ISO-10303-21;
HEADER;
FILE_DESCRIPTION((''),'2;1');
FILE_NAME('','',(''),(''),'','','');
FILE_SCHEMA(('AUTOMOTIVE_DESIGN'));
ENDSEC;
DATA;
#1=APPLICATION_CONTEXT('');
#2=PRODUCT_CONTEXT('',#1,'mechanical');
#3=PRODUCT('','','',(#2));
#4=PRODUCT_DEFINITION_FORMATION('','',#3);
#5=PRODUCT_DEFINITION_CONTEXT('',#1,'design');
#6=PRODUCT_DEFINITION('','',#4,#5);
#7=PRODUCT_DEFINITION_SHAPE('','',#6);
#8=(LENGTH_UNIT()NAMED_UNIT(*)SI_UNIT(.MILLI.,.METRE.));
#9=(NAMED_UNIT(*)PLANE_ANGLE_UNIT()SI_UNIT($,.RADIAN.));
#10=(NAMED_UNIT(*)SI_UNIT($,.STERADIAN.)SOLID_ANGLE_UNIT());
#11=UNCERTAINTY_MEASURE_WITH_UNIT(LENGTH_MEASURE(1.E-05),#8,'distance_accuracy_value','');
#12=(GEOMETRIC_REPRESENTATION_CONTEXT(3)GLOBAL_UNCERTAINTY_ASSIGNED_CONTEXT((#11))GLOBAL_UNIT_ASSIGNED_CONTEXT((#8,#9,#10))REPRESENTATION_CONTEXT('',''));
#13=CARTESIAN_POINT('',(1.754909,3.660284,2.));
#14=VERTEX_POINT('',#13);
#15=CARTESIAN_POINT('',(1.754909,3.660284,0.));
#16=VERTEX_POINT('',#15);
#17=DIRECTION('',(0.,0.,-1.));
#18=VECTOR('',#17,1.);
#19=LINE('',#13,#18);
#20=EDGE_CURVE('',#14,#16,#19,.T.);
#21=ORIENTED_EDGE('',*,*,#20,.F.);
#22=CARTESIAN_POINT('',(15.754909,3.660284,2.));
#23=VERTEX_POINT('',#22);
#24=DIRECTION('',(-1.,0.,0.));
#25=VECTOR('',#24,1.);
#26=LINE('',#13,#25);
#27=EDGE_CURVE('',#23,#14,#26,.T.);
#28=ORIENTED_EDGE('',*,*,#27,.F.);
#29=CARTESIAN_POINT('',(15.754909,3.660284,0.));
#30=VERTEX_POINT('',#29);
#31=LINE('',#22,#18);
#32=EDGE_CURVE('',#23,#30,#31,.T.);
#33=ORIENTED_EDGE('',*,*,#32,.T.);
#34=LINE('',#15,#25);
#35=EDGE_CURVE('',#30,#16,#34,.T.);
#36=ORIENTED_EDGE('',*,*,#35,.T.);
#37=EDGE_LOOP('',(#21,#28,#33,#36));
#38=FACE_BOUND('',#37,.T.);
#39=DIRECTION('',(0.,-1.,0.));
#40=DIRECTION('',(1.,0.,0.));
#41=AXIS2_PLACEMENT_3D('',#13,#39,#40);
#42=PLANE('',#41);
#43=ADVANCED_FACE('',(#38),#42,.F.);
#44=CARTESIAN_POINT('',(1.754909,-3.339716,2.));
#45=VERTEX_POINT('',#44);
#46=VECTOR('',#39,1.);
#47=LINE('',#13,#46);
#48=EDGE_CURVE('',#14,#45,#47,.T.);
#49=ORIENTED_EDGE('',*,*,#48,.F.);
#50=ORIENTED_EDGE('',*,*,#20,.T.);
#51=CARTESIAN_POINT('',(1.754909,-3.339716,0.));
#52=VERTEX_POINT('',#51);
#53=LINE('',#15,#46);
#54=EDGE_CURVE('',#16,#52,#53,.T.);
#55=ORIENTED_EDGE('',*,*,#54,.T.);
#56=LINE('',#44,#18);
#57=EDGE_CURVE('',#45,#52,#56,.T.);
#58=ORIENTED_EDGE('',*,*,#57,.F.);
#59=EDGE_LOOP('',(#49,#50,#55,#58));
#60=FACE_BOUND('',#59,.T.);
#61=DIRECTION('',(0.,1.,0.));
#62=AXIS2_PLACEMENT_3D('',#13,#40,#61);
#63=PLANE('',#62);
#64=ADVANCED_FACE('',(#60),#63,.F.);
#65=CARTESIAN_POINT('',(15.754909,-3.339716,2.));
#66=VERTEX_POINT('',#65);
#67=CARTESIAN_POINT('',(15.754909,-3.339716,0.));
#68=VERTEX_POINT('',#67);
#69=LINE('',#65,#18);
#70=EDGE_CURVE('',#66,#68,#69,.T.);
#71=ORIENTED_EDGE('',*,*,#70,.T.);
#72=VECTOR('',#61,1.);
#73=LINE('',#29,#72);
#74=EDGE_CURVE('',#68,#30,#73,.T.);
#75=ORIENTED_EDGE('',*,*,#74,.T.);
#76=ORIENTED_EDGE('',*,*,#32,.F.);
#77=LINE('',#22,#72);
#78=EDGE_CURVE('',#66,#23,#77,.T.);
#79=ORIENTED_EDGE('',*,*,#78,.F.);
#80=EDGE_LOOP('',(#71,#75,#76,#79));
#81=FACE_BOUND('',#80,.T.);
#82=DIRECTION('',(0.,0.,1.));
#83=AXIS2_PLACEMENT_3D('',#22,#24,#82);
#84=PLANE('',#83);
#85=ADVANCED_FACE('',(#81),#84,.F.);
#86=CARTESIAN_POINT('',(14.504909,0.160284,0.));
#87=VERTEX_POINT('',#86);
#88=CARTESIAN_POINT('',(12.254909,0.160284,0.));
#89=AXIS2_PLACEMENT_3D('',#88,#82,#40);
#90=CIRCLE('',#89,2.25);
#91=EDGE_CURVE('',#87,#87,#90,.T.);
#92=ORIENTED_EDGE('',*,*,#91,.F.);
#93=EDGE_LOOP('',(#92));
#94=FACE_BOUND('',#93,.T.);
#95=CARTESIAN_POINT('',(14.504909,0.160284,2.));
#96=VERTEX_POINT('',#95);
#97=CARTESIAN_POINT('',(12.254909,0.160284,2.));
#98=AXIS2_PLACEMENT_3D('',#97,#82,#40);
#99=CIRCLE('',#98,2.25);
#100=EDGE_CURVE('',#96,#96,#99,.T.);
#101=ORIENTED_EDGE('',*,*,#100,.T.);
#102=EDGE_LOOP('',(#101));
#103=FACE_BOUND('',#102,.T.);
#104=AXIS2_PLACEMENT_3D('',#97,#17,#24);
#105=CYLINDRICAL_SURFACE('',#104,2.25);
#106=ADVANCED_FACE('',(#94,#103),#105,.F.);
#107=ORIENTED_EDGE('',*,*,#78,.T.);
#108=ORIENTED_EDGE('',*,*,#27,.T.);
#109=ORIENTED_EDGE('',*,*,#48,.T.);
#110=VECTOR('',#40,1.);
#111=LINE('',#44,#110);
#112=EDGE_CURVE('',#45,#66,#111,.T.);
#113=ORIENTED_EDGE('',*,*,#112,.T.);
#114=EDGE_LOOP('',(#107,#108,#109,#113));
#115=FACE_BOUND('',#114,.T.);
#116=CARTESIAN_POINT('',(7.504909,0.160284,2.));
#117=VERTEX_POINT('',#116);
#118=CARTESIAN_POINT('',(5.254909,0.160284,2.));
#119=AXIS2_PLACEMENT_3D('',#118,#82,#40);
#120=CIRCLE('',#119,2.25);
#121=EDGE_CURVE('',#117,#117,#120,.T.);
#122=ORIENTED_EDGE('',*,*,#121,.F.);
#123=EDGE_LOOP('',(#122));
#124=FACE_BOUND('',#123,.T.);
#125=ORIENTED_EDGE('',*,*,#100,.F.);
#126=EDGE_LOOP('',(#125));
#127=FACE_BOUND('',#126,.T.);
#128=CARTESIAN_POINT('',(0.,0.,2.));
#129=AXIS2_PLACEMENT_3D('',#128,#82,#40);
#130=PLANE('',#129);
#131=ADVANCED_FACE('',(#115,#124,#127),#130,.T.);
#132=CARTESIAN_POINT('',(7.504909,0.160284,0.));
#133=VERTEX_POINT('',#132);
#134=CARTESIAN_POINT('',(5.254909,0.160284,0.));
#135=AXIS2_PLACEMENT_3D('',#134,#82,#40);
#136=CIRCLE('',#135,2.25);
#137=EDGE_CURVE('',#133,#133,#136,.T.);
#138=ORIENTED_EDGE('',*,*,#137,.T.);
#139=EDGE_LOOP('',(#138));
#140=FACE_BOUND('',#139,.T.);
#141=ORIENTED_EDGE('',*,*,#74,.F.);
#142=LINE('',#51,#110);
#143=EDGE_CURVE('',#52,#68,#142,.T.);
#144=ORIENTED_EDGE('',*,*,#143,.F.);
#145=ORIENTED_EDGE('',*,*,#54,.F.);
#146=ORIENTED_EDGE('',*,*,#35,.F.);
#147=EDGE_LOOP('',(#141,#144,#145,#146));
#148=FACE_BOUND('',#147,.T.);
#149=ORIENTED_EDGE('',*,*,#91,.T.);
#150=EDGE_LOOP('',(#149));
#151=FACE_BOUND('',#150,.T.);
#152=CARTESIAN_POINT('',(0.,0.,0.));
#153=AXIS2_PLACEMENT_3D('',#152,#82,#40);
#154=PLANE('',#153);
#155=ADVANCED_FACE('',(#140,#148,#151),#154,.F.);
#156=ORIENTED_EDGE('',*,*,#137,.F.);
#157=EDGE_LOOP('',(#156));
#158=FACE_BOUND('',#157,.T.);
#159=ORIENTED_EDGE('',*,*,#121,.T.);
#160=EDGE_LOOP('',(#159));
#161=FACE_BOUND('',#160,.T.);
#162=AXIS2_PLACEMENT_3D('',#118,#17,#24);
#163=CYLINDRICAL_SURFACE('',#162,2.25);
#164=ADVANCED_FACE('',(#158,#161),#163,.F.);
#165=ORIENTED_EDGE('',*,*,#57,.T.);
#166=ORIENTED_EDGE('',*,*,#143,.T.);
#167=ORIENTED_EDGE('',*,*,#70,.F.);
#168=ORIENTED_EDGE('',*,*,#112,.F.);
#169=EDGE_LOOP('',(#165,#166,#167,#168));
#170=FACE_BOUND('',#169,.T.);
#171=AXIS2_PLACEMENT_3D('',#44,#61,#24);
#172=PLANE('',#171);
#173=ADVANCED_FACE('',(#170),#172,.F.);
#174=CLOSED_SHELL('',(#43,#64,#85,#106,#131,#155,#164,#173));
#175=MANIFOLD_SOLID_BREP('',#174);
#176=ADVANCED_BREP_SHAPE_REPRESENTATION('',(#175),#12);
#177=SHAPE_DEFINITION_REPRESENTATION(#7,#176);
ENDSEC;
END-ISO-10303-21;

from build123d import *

# Parameters (mm, degrees)
ESQUISSE1_W        = 14
ESQUISSE1_H        = 7
ESQUISSE1_R        = 2.25
BOSS_EXTRU_1_DEPTH = 2


with BuildPart() as part:
    # Esquisse1 → Boss.-Extru.1 (new body)
    with BuildSketch(Plane.XY):
        with Locations((8.754909123, 0.160284443)):
            Rectangle(ESQUISSE1_W, ESQUISSE1_H)
        with Locations((5.254909123, 0.160284443)):
            Circle(ESQUISSE1_R, mode=Mode.SUBTRACT)
        with Locations((12.254909123, 0.160284443)):
            Circle(ESQUISSE1_R, mode=Mode.SUBTRACT)
    extrude(amount=BOSS_EXTRU_1_DEPTH)


solid = part.part
